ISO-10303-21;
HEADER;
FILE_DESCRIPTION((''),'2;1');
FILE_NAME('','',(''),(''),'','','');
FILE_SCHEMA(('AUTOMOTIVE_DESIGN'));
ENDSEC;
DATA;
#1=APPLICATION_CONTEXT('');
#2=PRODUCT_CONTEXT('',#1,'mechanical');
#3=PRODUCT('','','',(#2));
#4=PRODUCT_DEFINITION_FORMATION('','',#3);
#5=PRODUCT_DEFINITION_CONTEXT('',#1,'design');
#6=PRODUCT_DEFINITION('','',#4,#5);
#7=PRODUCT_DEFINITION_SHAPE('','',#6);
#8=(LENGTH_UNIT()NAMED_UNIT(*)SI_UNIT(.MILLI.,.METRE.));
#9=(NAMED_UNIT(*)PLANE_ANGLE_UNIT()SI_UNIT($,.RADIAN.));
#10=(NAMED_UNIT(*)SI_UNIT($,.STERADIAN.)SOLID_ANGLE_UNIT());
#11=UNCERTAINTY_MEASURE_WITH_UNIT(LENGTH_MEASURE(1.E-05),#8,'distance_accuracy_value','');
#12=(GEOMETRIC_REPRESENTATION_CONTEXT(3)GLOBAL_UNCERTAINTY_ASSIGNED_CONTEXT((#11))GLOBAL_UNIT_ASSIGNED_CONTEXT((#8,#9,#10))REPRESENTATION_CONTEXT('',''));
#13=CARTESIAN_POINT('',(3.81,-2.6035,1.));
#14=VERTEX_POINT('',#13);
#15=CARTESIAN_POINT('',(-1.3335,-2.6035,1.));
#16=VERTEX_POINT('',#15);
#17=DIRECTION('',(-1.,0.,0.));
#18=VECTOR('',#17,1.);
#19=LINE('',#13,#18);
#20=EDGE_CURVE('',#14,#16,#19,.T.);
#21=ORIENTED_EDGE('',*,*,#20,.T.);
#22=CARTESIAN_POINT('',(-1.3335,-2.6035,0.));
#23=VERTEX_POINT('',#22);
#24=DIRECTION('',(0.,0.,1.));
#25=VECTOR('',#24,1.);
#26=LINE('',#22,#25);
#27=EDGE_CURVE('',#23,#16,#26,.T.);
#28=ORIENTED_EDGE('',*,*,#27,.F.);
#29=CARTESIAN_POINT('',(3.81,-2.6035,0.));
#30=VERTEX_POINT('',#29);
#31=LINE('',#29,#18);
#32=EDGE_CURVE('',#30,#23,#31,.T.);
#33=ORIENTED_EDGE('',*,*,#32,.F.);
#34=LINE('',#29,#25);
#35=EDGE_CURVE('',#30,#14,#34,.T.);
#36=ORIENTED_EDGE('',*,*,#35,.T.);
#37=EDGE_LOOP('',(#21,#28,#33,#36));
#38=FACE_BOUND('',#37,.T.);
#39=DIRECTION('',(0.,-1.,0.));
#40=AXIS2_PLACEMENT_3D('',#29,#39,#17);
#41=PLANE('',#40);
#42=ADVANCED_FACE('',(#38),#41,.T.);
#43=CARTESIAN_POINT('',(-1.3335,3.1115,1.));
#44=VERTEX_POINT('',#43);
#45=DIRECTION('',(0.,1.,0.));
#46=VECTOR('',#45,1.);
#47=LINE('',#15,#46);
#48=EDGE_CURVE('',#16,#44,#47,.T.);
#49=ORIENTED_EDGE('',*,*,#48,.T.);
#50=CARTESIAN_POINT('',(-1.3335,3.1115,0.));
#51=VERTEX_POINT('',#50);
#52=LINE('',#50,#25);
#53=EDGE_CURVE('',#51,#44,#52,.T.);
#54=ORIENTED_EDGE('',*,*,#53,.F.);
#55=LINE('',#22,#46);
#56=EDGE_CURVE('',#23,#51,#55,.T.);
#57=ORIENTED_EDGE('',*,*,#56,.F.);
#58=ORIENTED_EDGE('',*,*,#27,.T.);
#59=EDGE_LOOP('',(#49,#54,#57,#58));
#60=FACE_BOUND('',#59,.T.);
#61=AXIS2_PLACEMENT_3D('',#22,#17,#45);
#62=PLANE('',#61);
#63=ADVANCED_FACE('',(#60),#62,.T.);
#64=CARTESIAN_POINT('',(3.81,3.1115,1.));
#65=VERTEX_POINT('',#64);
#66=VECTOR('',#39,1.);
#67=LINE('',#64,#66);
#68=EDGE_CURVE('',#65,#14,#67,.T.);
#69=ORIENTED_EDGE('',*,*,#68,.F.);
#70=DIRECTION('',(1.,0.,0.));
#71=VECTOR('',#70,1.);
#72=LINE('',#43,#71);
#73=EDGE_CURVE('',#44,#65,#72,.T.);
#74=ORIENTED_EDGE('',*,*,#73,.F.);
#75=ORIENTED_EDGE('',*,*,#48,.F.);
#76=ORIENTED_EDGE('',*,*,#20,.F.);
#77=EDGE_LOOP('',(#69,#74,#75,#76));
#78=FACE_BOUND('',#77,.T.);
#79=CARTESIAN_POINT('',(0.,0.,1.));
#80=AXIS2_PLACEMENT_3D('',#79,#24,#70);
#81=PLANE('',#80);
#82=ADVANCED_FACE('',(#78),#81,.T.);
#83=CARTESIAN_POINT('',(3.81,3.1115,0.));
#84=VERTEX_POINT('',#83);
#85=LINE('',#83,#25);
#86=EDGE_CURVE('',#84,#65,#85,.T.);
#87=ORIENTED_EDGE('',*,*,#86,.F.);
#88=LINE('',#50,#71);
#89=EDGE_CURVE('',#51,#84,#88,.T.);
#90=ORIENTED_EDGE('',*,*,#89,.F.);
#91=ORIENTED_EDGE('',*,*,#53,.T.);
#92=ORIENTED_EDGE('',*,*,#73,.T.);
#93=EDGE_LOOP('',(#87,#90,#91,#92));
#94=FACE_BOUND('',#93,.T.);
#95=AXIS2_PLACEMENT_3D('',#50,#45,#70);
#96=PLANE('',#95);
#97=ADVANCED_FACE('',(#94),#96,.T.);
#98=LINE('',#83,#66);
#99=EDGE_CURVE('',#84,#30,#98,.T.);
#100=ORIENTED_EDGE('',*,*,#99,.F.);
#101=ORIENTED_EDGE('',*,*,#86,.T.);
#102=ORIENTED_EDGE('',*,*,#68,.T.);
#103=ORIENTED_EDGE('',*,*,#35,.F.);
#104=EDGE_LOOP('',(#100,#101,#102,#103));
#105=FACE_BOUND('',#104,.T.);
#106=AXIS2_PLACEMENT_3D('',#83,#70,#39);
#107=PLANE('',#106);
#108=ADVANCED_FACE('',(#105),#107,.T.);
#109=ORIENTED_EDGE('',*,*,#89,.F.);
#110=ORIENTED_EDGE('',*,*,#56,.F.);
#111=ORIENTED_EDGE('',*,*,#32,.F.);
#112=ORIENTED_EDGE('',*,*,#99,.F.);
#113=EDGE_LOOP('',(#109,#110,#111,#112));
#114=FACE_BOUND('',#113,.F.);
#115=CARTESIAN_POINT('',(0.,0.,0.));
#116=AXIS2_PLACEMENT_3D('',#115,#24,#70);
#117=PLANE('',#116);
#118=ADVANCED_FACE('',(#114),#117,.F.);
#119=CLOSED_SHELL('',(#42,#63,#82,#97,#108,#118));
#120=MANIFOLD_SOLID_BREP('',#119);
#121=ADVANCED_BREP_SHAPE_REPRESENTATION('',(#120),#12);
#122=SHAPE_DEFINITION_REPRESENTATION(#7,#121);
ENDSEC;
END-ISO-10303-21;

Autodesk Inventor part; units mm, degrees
ref_plane "YZ Plane" through (0, 0, 0) normal (1, 0, 0) x (0, 1, 0)
ref_plane "XZ Plane" through (0, 0, 0) normal (0, 1, 0) x (-1, 0, 0)
ref_plane "XY Plane" through (0, 0, 0) normal (0, 0, 1) x (1, 0, 0)
sketch "MOLEX-1X2, M02POLAR_1" plane through (0, 0, 0) normal (0, 0, 1) x (1, 0, 0)
  line L0 (-1.3335, 3.1115) -> (3.81, 3.1115)
  line L1 (3.81, 3.1115) -> (3.81, -2.6035)
  line L2 (3.81, -2.6035) -> (-1.3335, -2.6035)
  line L3 (-1.3335, -2.6035) -> (-1.3335, 3.1115)
extrude "Extrusion1" add sketch "MOLEX-1X2, M02POLAR_1" along normal blind 1
properties part number "M02POLAR"
